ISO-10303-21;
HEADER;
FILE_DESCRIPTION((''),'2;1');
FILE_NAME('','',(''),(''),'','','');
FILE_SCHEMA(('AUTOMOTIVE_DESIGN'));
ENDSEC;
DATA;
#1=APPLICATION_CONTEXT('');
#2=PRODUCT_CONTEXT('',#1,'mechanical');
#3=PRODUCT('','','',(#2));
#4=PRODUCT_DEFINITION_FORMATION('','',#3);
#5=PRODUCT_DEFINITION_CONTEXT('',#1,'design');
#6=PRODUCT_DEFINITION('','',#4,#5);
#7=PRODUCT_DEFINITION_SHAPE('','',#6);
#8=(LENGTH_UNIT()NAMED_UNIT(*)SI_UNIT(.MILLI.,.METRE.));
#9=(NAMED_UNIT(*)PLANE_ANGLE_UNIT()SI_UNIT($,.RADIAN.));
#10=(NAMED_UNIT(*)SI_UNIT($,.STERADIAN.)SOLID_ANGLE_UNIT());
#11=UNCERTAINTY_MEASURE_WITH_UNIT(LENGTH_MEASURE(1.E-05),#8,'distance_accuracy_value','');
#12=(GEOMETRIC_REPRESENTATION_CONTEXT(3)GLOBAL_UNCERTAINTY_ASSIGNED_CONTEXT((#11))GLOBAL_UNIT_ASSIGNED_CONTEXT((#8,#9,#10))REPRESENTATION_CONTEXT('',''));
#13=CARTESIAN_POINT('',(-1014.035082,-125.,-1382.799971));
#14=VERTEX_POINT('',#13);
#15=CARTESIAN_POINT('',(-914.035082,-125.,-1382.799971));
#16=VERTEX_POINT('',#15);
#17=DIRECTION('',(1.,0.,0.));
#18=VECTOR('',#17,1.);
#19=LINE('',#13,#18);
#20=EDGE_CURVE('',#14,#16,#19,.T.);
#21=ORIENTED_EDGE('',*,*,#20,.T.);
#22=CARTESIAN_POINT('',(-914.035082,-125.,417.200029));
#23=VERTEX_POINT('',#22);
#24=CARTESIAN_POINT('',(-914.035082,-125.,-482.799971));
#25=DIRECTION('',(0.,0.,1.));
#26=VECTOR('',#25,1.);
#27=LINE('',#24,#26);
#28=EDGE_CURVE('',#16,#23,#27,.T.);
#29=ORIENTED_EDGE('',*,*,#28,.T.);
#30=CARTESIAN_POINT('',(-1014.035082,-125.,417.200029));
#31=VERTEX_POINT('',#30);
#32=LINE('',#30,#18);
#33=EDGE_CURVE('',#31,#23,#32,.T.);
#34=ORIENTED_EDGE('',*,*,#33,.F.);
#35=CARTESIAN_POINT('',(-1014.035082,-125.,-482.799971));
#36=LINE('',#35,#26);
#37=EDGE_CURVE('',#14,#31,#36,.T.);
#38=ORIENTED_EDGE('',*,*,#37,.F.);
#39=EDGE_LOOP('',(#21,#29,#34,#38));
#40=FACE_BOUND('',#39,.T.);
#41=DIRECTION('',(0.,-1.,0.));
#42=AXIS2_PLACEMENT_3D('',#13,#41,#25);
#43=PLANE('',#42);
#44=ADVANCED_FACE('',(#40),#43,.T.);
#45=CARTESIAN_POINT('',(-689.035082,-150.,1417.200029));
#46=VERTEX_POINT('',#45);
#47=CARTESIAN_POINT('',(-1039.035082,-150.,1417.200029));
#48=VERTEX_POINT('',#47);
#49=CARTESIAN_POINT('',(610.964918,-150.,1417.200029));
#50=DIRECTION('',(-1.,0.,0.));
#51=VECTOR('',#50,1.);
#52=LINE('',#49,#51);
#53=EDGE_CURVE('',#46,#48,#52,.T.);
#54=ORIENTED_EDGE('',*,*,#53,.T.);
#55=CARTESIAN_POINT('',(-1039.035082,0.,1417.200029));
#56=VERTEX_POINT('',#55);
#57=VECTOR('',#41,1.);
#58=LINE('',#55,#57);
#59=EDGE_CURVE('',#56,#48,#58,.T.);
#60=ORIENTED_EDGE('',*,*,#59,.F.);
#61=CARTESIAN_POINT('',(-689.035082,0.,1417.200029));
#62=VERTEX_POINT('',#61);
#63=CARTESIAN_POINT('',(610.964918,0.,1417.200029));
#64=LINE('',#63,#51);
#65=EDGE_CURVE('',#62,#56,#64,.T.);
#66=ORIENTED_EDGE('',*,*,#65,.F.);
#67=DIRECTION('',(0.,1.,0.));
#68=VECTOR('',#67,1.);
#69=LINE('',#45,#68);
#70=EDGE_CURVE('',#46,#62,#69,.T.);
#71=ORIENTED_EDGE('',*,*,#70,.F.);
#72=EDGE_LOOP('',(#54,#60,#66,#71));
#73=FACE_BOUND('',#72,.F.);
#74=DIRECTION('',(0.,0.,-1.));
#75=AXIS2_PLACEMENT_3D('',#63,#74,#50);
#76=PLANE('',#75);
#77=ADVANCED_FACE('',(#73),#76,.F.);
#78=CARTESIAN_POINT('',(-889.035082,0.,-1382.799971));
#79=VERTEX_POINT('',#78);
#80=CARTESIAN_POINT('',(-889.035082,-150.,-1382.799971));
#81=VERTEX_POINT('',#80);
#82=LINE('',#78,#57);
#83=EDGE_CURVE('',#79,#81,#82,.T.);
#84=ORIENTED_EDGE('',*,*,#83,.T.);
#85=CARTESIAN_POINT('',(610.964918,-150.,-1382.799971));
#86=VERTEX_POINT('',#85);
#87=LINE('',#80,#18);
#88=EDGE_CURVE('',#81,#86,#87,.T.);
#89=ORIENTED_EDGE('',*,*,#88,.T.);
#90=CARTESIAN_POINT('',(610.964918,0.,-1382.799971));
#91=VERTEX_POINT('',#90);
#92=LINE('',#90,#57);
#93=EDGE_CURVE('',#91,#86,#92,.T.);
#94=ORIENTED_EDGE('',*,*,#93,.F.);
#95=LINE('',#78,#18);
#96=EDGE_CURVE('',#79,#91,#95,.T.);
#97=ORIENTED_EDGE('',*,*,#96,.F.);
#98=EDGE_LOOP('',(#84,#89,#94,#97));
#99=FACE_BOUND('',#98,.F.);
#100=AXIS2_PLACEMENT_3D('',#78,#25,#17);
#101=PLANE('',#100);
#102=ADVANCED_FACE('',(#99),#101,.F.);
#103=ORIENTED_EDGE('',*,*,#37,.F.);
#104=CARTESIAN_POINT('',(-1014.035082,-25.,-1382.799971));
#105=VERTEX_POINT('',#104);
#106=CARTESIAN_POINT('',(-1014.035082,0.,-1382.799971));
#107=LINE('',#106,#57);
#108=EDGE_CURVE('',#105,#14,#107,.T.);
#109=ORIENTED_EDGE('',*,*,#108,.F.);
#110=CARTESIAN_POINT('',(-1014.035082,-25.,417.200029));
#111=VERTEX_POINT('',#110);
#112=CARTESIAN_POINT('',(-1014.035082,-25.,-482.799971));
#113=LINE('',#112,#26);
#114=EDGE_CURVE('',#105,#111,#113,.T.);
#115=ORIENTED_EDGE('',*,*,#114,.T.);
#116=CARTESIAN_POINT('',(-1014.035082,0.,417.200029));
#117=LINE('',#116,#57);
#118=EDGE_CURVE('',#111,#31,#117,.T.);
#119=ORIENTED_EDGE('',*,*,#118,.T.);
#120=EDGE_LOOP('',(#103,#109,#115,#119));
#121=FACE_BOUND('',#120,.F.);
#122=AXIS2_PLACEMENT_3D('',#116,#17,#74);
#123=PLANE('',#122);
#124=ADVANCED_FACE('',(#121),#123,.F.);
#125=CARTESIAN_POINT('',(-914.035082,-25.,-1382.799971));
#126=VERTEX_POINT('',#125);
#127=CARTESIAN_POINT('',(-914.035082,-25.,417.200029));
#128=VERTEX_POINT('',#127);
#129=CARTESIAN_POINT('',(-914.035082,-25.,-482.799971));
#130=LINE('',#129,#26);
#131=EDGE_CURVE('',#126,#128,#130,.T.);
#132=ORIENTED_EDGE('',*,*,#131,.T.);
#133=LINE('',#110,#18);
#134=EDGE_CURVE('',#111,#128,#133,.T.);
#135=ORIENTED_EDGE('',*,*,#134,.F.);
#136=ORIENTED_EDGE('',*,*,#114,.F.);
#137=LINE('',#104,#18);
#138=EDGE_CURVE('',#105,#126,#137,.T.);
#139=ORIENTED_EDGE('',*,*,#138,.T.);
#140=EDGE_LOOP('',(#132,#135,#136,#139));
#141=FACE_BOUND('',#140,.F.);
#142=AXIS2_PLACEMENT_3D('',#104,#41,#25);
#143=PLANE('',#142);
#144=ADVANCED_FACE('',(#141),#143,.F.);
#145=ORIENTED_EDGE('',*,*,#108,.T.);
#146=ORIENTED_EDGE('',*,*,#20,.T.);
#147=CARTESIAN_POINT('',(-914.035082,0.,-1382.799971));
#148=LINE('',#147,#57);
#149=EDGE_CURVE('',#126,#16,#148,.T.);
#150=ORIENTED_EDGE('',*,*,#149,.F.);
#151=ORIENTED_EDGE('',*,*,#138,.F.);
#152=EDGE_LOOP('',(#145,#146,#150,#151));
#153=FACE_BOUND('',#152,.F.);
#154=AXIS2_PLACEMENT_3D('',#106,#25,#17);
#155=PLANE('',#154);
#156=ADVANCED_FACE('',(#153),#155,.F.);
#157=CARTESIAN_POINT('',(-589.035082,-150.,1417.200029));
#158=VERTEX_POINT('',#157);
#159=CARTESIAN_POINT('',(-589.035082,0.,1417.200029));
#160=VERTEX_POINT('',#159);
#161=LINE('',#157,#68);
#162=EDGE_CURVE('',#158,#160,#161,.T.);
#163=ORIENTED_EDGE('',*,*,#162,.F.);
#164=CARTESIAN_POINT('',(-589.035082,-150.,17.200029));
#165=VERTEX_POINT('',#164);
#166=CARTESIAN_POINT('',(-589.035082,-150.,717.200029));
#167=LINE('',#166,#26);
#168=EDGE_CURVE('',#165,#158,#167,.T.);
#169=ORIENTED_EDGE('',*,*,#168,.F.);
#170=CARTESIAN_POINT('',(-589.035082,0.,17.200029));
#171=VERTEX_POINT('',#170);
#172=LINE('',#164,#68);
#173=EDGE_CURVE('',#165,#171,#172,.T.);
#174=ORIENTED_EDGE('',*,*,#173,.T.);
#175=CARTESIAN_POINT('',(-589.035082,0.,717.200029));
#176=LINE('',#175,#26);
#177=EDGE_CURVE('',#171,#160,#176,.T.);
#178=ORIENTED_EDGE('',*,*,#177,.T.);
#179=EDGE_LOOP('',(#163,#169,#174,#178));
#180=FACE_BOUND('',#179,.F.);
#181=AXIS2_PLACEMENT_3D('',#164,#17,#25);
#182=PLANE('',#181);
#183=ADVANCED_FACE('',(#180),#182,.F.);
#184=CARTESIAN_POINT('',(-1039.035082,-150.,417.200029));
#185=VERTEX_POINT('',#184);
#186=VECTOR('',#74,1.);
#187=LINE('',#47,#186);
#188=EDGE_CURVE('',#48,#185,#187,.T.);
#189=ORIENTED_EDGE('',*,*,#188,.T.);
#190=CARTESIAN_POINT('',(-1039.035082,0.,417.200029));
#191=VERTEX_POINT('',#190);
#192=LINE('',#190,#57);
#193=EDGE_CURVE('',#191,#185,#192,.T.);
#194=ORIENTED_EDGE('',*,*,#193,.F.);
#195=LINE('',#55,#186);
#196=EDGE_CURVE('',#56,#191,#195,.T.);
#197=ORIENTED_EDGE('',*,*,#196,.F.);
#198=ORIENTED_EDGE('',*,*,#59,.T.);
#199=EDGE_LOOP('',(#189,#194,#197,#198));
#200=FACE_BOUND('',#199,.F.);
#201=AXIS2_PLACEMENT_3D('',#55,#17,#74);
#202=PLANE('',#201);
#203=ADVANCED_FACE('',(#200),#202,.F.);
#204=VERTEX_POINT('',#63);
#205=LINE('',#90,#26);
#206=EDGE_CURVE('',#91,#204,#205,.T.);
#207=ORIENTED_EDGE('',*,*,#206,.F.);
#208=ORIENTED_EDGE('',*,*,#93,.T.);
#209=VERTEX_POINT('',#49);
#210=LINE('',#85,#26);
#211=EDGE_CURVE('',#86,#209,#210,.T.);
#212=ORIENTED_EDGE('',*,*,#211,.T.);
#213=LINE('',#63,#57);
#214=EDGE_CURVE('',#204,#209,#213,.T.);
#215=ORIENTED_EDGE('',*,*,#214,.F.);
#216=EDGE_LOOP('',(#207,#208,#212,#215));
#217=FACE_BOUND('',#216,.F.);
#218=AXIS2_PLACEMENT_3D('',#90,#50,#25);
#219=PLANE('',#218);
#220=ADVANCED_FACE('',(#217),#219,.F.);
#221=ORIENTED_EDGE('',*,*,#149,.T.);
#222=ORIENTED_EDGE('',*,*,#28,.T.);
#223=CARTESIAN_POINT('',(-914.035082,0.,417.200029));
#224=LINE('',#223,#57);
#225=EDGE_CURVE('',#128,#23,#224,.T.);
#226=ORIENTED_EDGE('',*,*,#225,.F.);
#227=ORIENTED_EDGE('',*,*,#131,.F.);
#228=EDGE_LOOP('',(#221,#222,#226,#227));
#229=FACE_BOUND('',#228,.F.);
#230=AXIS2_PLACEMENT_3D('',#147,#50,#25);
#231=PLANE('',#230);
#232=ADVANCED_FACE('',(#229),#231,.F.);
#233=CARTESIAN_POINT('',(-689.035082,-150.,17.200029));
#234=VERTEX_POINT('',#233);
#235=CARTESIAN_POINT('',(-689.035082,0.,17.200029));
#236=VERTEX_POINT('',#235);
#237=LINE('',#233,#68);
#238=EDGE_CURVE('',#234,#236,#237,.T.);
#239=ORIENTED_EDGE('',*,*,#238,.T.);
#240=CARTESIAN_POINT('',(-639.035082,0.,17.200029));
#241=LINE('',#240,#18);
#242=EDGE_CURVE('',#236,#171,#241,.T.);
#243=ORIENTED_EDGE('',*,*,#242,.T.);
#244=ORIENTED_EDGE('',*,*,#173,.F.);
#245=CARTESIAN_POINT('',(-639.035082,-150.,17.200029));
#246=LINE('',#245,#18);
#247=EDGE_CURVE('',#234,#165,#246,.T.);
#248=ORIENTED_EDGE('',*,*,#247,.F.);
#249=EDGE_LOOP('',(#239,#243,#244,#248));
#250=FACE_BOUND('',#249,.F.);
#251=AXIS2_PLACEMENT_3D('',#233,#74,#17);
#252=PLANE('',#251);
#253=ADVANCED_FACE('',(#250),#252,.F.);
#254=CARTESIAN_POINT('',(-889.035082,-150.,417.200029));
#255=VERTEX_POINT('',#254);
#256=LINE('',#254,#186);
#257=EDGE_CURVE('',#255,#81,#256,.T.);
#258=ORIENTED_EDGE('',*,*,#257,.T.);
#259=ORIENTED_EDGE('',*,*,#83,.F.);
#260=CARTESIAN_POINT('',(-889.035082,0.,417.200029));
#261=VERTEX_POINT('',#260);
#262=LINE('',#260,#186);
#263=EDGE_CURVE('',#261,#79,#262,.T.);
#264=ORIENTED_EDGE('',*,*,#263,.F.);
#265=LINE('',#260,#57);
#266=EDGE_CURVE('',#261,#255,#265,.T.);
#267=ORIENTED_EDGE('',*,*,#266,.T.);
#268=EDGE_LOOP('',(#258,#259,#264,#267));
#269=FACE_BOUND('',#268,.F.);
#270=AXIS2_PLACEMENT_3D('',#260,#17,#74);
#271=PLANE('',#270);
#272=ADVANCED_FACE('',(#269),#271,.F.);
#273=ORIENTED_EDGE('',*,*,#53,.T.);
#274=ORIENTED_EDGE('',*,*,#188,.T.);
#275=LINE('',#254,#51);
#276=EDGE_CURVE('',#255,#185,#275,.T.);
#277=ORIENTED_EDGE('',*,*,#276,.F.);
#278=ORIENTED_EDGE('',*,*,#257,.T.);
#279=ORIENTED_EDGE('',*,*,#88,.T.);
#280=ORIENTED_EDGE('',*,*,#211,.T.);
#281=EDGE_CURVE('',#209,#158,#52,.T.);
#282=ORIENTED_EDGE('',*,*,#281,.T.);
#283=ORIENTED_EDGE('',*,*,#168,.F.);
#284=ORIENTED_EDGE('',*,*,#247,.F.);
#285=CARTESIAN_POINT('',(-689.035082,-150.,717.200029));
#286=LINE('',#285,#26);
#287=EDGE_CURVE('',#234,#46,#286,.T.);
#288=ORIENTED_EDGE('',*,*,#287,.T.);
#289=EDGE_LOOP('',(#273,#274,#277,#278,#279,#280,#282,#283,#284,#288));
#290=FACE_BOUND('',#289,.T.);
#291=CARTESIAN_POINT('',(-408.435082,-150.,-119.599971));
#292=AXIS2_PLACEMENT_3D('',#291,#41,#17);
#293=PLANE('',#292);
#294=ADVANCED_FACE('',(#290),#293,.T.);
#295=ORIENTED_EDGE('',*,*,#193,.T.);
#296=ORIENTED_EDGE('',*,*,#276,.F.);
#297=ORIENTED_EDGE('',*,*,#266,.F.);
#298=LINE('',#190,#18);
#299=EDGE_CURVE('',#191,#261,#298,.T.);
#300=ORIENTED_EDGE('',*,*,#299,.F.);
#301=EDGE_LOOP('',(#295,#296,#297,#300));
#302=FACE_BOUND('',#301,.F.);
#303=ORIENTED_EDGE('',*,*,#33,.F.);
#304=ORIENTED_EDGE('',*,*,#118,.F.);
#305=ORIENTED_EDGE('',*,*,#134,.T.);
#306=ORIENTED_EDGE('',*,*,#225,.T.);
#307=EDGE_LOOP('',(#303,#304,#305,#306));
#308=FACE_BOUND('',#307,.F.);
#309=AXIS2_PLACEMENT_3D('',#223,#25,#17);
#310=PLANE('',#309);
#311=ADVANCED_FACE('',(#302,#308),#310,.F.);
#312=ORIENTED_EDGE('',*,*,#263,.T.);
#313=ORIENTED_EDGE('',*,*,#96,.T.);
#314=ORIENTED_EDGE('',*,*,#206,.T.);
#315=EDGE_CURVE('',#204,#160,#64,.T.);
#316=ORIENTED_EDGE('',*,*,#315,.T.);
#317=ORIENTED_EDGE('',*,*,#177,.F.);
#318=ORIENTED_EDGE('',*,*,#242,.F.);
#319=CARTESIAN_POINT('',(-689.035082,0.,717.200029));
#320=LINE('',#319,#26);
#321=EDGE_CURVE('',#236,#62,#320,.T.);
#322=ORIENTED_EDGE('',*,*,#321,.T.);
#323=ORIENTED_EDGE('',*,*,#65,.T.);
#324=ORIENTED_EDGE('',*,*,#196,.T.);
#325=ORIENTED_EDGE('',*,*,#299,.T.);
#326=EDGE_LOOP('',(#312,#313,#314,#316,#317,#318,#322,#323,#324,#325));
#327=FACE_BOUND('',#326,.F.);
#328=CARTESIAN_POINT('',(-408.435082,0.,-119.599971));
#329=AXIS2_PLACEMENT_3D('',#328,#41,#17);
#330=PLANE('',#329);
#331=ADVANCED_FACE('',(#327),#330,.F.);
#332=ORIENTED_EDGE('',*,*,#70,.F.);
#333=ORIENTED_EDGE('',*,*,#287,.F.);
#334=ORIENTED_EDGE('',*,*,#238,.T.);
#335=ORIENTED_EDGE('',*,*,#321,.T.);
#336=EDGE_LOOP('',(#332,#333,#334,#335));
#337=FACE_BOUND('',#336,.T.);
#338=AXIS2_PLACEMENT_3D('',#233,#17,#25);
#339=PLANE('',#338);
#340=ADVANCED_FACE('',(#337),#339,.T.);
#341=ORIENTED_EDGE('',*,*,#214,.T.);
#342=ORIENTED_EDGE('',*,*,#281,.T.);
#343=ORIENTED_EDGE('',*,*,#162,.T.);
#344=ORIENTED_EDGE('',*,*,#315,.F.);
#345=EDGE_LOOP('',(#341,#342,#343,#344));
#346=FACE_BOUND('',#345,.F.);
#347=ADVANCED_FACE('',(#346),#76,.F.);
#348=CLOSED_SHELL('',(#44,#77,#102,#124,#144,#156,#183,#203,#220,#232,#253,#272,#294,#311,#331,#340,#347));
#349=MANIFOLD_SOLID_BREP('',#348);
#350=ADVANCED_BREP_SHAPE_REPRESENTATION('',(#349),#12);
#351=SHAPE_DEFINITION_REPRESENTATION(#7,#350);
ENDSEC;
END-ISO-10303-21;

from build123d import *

# Parameters (mm, degrees)
F1_DEPTH = 150
F2_W     = 25
F2_H     = 1800
F3_DEPTH = 100
F4_W     = 100
F4_H     = 1400
F5_DEPTH = 150


with BuildPart() as f1:
    # F0 (on Front) → F1 (new body)
    with BuildSketch(Plane.XZ):
        Polygon((-889.035082, 417.200029), (-889.035082, -1382.799971), (610.964918, -1382.799971), (610.964918, 1417.200029), (-1039.035082, 1417.200029), (-1039.035082, 417.200029), (-1014.035082, 417.200029), (-1014.035082, -1382.799971), (-914.035082, -1382.799971), (-914.035082, 417.200029), align=None)
    extrude(amount=F1_DEPTH)

    # F2 (on face) → F3 (cut, through all)
    with BuildSketch(Plane(origin=(-1014.035082, 0, 0), x_dir=(0, -1, 0), z_dir=(-1, 0, 0))):
        with Locations((137.5, -482.799971)):
            Rectangle(F2_W, F2_H)
        with Locations((12.5, -482.799971)):
            Rectangle(F2_W, F2_H)
    extrude(amount=-F3_DEPTH, mode=Mode.SUBTRACT)

    # F4 (on face) → F5 (cut, through all)
    with BuildSketch(Plane.XZ.offset(150)):
        with Locations((-639.035082, 717.200029)):
            Rectangle(F4_W, F4_H)
    extrude(amount=-F5_DEPTH, mode=Mode.SUBTRACT)


solid = f1.part
